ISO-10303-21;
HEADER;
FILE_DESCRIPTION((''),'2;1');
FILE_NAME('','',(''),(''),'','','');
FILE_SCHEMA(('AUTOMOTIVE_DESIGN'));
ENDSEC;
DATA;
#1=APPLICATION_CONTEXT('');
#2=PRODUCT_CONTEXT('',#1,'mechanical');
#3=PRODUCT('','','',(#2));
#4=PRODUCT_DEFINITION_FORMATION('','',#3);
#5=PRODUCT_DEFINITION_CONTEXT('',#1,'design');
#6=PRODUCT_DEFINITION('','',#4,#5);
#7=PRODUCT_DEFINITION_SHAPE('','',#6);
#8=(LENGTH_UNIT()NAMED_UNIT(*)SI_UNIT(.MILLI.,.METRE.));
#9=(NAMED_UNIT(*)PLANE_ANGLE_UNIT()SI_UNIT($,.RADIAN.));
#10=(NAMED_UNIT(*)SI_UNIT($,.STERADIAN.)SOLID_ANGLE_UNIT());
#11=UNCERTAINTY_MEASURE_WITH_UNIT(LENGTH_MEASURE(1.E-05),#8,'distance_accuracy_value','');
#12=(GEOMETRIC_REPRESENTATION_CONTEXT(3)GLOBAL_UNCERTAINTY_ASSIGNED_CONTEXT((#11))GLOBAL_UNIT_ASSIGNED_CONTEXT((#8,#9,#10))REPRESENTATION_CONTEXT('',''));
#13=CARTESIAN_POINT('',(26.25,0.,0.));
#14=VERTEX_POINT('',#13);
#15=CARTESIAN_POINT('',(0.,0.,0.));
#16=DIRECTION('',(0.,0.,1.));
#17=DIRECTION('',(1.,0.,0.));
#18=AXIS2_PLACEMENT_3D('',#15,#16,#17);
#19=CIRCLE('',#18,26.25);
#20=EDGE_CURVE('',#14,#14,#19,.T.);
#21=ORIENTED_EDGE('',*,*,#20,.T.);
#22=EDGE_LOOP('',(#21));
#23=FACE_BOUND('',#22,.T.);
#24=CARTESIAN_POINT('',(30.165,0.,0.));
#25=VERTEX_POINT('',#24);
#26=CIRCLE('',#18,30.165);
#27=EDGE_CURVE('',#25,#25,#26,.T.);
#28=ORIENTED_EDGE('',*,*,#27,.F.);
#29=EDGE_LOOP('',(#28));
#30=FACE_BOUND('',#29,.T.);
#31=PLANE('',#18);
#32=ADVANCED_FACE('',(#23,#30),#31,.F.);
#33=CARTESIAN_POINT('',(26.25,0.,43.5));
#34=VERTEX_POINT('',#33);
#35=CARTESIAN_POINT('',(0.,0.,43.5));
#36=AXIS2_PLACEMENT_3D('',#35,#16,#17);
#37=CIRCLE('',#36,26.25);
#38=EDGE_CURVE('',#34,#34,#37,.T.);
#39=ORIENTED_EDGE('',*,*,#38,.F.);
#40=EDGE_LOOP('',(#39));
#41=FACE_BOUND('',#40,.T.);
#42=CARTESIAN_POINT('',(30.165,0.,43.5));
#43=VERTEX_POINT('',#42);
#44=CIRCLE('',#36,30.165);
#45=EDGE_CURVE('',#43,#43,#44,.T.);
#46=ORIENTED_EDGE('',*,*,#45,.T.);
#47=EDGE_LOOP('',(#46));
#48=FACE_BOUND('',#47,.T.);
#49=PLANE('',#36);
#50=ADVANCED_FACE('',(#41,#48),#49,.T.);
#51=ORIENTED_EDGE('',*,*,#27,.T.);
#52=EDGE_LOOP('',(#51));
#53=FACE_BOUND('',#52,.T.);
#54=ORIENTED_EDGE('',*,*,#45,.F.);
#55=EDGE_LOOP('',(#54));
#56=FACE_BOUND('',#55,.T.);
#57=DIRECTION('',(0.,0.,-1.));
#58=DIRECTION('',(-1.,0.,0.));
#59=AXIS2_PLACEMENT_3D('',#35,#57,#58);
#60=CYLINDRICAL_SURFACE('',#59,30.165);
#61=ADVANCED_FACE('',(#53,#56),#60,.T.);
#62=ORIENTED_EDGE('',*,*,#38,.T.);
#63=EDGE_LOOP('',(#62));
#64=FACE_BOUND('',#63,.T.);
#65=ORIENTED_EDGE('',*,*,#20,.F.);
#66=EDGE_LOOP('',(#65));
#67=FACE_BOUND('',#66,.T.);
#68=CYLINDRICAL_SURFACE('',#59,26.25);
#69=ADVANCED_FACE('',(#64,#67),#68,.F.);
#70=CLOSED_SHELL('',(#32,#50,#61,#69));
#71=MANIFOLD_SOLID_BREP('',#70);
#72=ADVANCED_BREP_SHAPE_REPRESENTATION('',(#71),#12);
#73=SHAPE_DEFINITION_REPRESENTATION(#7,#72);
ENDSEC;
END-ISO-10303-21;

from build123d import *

# Parameters (mm, degrees)
CROQUIS1_R              = 30.165
CROQUIS1_R_2            = 26.25
SALIENTE_EXTRUIR1_DEPTH = 43.5


with BuildPart() as part:
    # Croquis1 → Saliente-Extruir1 (new body)
    with BuildSketch(Plane.XY):
        Circle(CROQUIS1_R)
        Circle(CROQUIS1_R_2, mode=Mode.SUBTRACT)
    extrude(amount=SALIENTE_EXTRUIR1_DEPTH)


solid = part.part
